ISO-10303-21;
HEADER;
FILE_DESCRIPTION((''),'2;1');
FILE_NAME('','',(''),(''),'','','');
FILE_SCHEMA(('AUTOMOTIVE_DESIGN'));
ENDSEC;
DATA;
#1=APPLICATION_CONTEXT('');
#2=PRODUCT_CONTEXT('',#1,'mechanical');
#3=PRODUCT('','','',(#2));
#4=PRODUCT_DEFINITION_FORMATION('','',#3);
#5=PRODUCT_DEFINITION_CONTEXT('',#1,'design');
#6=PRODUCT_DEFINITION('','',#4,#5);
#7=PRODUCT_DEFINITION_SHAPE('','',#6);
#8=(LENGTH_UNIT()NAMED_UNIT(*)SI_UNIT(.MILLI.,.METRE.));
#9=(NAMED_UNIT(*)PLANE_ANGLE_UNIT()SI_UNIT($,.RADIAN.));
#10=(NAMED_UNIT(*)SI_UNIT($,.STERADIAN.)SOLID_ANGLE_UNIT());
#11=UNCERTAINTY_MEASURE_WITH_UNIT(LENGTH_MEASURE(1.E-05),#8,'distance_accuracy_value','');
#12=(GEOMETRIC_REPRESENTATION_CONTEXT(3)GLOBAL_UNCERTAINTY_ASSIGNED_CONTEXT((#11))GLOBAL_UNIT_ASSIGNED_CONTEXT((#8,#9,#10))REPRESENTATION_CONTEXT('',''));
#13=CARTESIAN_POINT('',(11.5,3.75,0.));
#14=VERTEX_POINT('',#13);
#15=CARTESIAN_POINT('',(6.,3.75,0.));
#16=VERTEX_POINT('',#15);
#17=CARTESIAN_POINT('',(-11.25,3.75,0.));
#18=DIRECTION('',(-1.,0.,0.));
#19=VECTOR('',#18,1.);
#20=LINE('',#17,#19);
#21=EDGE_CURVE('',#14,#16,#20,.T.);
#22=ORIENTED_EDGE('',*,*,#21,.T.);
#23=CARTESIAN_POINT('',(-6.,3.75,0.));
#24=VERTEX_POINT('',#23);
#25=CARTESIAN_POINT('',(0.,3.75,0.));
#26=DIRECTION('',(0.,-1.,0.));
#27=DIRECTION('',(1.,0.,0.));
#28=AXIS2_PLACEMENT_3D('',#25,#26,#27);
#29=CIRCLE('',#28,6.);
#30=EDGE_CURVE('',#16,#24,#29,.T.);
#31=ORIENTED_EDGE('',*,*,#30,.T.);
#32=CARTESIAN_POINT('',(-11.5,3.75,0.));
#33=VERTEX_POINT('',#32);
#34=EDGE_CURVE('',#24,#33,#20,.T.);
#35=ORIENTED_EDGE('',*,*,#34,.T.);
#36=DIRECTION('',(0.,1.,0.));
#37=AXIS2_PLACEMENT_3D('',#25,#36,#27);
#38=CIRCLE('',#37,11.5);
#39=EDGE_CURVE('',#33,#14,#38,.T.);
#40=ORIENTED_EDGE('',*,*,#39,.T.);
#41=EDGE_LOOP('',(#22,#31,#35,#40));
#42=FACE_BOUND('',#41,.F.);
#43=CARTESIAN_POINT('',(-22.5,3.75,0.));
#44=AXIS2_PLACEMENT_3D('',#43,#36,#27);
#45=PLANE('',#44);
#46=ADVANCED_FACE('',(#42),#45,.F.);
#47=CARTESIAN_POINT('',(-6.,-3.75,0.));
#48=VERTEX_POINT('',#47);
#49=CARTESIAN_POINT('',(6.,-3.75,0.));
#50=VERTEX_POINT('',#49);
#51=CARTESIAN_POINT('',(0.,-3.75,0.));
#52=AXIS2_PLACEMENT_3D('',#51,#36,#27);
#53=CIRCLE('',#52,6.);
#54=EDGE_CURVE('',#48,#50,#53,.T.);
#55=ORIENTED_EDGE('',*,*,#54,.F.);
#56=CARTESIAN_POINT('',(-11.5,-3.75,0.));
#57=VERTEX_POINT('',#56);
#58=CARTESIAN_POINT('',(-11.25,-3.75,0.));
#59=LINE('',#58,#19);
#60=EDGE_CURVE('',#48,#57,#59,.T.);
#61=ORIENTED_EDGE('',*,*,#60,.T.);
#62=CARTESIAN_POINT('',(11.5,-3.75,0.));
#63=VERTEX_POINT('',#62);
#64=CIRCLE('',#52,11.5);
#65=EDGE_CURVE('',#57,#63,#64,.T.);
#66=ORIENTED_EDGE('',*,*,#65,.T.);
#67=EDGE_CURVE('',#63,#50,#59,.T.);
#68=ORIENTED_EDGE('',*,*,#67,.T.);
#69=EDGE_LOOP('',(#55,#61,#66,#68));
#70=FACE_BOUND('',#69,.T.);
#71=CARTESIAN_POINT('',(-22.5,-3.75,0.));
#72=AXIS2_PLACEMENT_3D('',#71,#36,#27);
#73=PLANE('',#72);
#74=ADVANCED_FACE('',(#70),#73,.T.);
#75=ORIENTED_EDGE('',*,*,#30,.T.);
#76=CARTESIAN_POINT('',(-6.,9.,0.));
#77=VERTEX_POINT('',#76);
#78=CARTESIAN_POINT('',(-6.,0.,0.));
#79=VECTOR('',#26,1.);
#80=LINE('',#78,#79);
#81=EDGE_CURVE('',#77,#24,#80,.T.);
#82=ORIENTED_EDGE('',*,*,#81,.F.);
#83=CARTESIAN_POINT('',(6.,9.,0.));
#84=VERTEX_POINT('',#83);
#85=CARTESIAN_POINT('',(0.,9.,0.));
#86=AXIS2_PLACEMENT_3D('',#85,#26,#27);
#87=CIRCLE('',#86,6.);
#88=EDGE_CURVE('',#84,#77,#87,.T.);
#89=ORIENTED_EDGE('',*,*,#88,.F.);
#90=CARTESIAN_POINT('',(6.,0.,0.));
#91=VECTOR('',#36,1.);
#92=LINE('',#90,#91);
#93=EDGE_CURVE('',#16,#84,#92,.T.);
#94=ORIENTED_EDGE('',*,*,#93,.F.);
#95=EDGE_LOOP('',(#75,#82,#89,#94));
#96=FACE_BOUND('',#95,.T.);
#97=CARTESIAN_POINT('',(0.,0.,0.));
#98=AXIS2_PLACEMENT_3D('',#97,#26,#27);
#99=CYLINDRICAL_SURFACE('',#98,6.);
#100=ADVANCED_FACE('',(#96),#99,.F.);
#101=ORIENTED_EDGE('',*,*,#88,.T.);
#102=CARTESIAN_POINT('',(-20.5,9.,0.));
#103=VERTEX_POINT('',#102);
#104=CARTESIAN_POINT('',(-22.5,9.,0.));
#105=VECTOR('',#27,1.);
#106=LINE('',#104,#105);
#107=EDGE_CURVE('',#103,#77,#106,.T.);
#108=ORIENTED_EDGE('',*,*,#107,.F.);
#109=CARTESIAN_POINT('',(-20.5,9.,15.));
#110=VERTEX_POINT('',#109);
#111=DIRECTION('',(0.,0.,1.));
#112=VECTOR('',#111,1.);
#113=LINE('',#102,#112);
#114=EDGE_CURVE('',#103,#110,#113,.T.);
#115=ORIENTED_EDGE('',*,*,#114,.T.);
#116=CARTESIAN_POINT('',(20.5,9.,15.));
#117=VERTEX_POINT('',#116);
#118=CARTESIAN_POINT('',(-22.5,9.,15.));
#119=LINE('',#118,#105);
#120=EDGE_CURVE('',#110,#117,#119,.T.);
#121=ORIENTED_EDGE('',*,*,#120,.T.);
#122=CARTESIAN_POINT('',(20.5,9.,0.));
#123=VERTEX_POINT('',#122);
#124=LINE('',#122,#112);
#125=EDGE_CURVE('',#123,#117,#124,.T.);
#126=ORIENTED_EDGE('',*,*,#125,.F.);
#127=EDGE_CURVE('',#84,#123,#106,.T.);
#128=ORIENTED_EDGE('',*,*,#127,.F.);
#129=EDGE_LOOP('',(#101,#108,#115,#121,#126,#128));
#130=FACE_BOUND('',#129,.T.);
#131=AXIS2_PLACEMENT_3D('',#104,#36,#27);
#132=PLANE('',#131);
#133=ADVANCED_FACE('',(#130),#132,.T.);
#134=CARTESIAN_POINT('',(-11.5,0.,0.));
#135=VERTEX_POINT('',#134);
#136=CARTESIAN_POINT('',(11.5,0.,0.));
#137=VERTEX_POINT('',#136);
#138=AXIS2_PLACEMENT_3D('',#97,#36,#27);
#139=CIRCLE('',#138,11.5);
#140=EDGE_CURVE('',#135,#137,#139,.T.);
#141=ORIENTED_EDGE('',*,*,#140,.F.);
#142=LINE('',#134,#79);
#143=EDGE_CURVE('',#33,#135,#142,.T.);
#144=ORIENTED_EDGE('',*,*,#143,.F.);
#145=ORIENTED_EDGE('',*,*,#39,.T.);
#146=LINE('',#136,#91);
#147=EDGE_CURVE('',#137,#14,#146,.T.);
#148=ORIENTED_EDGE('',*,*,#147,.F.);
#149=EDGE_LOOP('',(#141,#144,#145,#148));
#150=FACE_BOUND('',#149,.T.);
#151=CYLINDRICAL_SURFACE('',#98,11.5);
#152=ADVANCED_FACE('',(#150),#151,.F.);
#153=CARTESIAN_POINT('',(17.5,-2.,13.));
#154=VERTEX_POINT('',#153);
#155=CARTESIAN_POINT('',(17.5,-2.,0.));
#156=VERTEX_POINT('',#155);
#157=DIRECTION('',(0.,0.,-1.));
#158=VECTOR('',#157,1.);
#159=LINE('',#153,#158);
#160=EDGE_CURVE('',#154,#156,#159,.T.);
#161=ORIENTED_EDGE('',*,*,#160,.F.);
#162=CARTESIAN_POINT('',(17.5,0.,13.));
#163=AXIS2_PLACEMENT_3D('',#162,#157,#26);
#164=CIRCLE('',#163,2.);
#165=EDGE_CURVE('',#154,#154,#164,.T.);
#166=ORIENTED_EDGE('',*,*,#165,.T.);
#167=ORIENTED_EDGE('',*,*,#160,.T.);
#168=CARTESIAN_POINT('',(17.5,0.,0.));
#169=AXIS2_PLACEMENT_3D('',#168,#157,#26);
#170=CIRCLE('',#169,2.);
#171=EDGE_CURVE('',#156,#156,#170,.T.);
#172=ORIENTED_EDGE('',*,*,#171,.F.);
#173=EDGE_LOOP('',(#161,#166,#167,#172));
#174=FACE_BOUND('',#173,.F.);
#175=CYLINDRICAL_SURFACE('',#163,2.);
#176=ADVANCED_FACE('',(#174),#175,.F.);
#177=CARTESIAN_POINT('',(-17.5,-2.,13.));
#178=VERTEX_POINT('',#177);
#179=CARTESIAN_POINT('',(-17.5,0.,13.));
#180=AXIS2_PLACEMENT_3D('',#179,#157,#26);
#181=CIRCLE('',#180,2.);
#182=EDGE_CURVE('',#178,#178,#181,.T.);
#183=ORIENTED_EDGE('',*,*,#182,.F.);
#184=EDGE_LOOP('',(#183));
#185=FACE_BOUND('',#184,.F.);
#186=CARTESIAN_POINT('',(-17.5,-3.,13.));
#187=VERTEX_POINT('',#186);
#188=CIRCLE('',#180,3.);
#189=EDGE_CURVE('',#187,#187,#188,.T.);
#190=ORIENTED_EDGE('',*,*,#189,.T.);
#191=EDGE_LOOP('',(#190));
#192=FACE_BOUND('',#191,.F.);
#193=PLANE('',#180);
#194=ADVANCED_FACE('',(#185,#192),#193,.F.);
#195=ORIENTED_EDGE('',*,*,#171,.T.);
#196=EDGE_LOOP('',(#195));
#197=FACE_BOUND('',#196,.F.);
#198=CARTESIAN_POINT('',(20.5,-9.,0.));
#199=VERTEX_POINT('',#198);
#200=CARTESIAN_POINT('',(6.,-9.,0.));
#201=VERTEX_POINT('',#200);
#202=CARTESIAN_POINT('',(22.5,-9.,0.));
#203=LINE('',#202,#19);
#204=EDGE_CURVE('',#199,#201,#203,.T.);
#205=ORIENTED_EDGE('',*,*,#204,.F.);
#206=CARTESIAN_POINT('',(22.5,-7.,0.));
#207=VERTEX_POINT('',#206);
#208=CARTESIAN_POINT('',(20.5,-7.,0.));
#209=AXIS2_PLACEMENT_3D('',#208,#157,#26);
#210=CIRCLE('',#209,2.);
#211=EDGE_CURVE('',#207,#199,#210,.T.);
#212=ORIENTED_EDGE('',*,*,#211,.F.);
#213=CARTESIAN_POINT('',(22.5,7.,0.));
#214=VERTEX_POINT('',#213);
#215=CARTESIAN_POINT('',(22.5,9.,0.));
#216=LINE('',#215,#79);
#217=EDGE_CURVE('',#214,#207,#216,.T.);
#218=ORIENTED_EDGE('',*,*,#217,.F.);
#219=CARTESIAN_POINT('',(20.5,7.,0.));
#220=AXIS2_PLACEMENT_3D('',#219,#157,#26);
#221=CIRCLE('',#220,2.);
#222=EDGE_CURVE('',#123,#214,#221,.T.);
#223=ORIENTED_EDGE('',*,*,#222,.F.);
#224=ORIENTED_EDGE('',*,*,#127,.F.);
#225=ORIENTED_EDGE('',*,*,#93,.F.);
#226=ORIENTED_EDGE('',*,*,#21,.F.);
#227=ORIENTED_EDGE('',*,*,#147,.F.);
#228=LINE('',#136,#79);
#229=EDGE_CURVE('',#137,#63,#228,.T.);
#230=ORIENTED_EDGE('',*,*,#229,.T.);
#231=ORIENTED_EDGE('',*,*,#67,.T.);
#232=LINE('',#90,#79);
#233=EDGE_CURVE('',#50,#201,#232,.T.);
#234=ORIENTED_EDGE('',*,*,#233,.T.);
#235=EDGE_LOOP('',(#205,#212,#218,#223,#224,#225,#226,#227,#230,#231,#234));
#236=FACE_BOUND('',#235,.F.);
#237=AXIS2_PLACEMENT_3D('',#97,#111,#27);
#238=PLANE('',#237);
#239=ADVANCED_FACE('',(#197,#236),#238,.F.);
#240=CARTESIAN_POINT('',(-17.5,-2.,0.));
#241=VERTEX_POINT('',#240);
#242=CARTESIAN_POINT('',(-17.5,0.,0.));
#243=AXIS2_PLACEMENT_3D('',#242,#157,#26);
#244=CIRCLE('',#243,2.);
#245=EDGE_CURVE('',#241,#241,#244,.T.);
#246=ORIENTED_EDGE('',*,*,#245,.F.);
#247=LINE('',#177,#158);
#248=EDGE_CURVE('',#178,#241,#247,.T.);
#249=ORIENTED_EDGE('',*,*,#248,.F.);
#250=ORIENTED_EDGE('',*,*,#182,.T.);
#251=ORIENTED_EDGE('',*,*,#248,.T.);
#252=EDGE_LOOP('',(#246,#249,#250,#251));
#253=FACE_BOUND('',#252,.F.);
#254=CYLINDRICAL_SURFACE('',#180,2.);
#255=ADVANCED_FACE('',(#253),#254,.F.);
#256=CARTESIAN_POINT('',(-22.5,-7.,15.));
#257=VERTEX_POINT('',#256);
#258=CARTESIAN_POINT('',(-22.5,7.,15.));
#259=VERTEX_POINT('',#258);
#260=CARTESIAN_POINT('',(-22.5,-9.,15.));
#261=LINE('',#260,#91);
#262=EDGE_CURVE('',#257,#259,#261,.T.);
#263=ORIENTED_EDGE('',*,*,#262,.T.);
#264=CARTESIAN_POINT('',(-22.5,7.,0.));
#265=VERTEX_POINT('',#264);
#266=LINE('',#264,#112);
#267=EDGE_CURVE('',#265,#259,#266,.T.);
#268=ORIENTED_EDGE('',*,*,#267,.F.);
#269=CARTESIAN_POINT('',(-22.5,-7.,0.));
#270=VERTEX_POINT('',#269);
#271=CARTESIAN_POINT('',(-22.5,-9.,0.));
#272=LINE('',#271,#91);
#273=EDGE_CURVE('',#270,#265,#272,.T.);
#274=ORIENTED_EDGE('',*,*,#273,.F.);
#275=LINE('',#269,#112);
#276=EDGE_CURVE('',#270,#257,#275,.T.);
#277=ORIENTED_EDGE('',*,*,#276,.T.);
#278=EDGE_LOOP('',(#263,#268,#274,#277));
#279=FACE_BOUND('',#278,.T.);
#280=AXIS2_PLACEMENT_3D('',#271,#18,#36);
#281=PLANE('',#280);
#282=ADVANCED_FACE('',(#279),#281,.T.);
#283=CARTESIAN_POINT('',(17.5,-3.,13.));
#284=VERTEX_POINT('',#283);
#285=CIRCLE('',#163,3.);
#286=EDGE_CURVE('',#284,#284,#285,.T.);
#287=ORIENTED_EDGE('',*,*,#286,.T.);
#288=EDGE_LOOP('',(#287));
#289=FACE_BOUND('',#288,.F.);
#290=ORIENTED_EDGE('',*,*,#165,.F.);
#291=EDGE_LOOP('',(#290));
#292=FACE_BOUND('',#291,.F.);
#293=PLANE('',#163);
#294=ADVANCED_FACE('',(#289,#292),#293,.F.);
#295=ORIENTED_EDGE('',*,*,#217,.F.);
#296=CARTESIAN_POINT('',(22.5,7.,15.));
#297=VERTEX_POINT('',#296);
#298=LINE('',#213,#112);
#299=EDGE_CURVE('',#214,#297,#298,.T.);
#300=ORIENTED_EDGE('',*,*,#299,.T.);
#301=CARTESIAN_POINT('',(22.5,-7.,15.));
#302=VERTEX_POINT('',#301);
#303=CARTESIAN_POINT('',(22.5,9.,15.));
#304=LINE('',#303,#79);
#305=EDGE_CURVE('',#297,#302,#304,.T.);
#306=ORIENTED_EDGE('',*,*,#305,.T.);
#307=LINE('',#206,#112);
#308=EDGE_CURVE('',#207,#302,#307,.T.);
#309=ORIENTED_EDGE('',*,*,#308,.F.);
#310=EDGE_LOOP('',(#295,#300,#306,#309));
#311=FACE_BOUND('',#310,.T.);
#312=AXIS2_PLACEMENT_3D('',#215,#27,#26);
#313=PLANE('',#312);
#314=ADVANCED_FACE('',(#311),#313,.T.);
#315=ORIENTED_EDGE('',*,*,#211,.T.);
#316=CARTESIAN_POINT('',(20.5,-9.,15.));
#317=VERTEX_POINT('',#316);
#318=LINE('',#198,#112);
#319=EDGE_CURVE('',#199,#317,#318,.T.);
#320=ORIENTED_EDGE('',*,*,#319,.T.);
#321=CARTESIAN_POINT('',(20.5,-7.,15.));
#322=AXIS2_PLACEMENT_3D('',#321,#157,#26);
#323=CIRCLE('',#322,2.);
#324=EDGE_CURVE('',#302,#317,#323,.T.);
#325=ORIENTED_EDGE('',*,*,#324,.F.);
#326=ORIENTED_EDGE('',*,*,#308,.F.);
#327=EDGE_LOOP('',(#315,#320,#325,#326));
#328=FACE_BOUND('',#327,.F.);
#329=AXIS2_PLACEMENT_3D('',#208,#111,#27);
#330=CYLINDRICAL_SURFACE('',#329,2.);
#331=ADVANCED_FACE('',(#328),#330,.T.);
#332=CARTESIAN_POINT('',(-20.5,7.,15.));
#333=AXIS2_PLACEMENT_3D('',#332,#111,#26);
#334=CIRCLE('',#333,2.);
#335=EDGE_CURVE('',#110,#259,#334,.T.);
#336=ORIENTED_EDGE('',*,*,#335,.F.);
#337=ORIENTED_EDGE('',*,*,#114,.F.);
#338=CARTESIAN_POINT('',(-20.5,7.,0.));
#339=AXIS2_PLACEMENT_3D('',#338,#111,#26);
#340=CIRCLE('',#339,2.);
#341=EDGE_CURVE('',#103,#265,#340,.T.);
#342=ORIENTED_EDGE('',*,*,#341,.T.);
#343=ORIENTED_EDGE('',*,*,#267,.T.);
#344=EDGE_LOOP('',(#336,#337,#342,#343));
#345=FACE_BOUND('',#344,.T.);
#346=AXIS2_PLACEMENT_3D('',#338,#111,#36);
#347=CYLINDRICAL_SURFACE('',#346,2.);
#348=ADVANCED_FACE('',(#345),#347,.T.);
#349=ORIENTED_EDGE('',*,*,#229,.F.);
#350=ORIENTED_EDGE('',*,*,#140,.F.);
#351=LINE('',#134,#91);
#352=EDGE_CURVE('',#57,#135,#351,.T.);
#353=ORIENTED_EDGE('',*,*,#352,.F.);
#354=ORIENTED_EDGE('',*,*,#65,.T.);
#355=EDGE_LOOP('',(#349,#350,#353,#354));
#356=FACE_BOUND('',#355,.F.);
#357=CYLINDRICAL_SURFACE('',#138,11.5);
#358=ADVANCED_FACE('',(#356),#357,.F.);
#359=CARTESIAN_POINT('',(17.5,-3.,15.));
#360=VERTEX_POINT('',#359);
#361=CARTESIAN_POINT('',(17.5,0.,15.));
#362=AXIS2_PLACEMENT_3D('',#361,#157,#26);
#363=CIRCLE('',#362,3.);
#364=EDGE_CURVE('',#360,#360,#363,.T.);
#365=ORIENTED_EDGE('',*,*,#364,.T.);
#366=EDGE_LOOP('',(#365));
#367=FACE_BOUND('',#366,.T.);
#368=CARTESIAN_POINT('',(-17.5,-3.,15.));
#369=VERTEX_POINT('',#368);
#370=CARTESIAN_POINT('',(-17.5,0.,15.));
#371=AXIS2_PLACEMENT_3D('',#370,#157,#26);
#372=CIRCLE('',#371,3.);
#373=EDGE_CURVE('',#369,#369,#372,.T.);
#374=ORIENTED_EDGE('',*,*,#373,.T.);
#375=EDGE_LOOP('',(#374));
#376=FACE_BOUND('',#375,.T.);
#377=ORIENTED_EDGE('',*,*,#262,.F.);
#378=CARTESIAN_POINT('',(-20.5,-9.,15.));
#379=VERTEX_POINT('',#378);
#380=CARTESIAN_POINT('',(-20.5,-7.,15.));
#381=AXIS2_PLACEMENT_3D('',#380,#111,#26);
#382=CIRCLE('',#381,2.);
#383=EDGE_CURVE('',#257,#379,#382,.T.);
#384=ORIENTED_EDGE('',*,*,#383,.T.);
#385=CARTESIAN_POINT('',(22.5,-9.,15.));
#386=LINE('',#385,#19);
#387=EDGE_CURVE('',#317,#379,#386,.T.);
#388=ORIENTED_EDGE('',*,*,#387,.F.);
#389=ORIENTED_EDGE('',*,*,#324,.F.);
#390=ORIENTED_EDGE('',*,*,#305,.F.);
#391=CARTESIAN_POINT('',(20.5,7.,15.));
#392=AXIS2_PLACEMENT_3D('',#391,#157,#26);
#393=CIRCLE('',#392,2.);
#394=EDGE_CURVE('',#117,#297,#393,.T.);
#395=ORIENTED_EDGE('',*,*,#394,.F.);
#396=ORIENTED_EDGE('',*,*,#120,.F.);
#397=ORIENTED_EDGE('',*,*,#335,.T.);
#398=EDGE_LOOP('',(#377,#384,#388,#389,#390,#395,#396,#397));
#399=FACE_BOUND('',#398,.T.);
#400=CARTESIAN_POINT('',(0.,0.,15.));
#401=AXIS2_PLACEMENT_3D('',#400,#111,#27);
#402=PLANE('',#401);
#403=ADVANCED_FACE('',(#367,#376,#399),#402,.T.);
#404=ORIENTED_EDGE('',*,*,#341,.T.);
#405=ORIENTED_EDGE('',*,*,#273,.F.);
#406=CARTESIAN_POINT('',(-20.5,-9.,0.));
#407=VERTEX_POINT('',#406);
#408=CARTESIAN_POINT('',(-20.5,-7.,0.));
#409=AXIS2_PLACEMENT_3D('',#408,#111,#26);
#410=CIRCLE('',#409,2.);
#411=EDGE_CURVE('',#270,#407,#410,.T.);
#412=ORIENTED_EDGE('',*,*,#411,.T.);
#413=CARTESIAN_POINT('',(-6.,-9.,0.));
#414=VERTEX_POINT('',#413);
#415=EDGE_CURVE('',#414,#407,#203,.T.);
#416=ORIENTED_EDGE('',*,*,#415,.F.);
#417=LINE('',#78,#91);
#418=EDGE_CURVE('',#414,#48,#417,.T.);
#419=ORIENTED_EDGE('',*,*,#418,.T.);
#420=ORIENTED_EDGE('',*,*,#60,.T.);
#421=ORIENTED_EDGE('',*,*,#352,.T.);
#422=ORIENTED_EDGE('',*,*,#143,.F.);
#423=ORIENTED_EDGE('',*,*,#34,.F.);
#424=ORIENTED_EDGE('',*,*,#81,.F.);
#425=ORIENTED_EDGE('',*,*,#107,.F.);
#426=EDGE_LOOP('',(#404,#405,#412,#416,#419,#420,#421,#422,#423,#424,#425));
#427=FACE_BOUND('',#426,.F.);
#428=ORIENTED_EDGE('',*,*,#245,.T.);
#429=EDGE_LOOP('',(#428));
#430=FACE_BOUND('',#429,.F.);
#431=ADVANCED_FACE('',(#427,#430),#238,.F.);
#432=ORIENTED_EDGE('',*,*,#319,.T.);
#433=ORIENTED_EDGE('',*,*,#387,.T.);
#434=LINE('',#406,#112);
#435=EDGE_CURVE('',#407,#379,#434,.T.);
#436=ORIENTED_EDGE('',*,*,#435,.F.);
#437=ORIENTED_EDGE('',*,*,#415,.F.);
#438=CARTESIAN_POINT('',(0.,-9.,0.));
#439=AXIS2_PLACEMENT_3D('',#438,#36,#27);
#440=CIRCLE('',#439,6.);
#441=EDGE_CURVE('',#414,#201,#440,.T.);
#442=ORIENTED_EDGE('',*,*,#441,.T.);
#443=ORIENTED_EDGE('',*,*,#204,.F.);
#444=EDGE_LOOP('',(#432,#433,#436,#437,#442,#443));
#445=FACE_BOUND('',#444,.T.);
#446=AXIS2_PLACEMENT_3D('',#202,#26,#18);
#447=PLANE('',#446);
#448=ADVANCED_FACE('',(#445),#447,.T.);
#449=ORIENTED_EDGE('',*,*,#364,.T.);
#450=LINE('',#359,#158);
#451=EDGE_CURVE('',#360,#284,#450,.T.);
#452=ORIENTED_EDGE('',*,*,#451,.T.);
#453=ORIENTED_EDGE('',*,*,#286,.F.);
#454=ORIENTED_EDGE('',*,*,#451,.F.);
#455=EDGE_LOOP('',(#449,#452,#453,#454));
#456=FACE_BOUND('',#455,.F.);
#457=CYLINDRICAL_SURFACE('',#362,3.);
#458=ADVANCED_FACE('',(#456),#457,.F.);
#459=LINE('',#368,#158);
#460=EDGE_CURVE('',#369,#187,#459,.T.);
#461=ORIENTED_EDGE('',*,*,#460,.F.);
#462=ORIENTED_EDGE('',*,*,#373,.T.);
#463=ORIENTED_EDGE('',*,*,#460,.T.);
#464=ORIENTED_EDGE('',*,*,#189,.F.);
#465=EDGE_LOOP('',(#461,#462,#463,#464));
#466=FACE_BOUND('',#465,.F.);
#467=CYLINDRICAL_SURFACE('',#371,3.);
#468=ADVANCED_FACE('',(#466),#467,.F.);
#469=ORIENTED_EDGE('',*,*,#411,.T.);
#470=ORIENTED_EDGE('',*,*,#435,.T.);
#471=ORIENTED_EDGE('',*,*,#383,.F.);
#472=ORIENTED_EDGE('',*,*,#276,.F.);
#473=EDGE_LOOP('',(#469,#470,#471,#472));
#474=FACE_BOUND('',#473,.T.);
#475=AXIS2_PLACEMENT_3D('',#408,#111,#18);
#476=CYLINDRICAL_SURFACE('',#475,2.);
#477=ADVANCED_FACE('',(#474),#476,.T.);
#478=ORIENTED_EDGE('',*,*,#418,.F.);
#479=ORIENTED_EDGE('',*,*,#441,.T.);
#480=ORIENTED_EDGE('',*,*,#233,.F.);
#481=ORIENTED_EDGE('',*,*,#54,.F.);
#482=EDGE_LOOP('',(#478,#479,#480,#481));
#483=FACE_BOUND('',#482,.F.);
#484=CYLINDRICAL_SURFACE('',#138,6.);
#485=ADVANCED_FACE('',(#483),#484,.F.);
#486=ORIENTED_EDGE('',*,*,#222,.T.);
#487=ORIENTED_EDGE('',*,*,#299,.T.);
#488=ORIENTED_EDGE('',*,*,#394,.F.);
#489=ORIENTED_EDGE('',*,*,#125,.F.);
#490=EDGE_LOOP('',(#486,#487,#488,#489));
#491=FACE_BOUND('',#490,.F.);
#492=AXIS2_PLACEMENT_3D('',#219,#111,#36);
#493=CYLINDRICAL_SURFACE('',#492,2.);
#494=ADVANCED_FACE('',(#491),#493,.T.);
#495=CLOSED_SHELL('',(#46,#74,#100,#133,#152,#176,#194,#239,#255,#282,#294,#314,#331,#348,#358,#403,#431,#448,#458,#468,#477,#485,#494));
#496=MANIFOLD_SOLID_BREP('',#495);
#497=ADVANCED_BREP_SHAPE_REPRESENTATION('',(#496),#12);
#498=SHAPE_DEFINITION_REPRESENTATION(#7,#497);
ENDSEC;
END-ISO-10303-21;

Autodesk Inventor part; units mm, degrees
ref_plane "YZ Plane" through (0, 0, 0) normal (1, 0, 0) x (0, 1, 0)
ref_plane "XZ Plane" through (0, 0, 0) normal (0, 1, 0) x (-1, 0, 0)
ref_plane "XY Plane" through (0, 0, 0) normal (0, 0, 1) x (1, 0, 0)
sketch "Sketch1" plane through (0, 0, 0) normal (0, 0, 1) x (1, 0, 0)
  point P0 (0, 0)
sketch "Sketch2" plane through (0, 0, 0) normal (0, 0, 1) x (1, 0, 0)
  line L0 (-22.5, 9) -> (22.5, 9)
  line L1 (22.5, 9) -> (22.5, -9)
  line L2 (22.5, -9) -> (-22.5, -9)
  line L3 (-22.5, -9) -> (-22.5, 9)
  line L4 (-22.5, 9) -> (22.5, -9) construction
  line L5 (22.5, 9) -> (-22.5, -9) construction
  point P0 (0, 0)
  dimension "d0" = 45
  dimension "d1" = 18
extrude "Extrusion1" add sketch "Sketch2" along normal blind 15
ref_plane "Work Plane1" through (-22.5, 0, 0) normal (0, 1, 0) x (1, 0, 0)
sketch "Sketch3" plane through (-22.5, 0, 0) normal (0, 1, 0) x (1, 0, 0)
  circle A0 centre (22.5, 0) radius 11.5
  dimension "d4" = 23
extrude "Extrusion2" cut sketch "Sketch3" along normal mid plane 7.5
sketch "Sketch4" plane through (-22.5, 0, 0) normal (0, 1, 0) x (1, 0, 0)
  circle A0 centre (22.5, 0) radius 6
  dimension "d7" = 12
extrude "Extrusion3" cut sketch "Sketch4" along normal mid plane 32.75
sketch "Sketch5" plane through (0, 0, 15) normal (0, 0, 1) x (1, 0, 0)
  line L0 (-22.5, 9) -> (-22.5, -9) projected
  line L1 (-22.5, -9) -> (22.5, -9) projected
  point P0 (0, 0)
  point P1 (-17.5, 0)
  dimension "d10" = 5
  dimension "d11" = 9
hole "Hole1" at (-17.5, 0, 15) direction (0, 0, -1) diameter 4 end through all counterbore diameter 6 counterbore depth 2
sketch "Sketch6" plane through (0, 0, 15) normal (0, 0, 1) x (1, 0, 0)
  line L0 (-22.5, -9) -> (22.5, -9) projected
  line L1 (22.5, -9) -> (22.5, 9) projected
  point P0 (0, 0)
  point P1 (17.5, 0)
  dimension "d19" = 9
  dimension "d20" = 5
hole "Hole2" at (17.5, 0, 15) direction (0, 0, -1) diameter 4 end through all counterbore diameter 6 counterbore depth 2
fillet "Fillet1" radius 2 4 edges at (-22.5, -9, 7.5) (22.5, -9, 7.5) (-22.5, 9, 7.5) (22.5, 9, 7.5)
properties part number "bearing_holder_v2"
